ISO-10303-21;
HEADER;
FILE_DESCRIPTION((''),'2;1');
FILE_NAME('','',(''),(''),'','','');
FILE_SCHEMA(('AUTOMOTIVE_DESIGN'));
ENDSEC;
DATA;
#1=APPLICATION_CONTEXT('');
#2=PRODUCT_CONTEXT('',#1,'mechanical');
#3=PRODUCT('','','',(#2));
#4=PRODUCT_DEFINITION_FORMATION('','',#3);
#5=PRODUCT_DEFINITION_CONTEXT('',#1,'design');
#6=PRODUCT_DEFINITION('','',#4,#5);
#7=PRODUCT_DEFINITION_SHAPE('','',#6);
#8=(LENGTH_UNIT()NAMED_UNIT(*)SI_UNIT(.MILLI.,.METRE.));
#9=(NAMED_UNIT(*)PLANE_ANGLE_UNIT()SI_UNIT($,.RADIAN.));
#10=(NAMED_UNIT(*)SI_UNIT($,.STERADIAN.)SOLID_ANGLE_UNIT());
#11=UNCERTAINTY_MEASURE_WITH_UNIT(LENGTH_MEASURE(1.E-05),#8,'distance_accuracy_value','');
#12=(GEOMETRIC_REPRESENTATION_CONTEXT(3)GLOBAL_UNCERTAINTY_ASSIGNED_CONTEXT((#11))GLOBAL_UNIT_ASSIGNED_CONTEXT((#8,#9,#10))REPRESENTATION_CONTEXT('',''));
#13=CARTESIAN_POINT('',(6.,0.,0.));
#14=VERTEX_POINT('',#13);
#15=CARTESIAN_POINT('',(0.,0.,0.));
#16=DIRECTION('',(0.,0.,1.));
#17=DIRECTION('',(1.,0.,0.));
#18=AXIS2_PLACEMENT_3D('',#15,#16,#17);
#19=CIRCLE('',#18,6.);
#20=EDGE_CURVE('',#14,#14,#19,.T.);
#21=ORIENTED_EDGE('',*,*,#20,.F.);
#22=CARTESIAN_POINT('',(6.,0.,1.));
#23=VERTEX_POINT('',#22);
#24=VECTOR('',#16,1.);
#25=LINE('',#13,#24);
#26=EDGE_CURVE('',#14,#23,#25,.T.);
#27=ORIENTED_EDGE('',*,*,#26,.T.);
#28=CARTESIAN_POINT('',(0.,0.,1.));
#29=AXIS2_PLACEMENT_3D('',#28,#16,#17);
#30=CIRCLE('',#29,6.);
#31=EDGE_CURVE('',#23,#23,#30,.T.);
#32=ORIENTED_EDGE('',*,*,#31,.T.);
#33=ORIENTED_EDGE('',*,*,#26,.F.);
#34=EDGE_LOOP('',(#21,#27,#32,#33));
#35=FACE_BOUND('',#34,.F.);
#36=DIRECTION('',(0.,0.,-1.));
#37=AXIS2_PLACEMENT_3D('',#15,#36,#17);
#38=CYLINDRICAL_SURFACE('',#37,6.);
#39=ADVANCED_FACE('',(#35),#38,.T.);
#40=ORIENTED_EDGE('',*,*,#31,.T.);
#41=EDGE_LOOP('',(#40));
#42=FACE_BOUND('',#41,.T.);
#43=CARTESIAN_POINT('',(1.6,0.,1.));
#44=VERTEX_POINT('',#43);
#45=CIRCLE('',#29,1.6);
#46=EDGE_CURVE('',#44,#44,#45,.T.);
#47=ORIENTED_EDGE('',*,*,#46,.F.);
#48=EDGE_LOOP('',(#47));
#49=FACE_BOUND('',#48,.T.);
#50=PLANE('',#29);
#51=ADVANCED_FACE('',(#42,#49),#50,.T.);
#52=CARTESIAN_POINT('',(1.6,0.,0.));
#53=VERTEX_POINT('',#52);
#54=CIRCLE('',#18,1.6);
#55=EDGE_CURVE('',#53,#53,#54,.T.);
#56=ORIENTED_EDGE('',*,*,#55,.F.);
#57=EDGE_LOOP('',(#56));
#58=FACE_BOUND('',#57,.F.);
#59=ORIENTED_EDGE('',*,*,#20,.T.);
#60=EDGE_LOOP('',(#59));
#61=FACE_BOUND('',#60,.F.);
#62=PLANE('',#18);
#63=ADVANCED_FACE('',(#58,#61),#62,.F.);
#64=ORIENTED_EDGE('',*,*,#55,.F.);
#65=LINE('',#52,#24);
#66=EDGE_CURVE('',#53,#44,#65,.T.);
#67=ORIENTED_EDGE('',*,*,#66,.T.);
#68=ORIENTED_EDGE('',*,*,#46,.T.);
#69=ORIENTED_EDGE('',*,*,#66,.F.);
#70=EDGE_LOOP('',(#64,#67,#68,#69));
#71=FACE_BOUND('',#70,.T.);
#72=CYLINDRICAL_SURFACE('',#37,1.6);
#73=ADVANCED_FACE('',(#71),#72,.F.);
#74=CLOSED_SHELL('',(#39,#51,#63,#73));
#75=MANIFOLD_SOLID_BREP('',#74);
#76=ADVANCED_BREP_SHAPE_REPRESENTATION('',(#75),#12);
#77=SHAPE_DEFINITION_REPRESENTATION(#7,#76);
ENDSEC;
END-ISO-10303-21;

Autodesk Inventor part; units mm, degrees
ref_plane "YZ Plane" through (0, 0, 0) normal (1, 0, 0) x (0, 1, 0)
ref_plane "XZ Plane" through (0, 0, 0) normal (0, 1, 0) x (-1, 0, 0)
ref_plane "XY Plane" through (0, 0, 0) normal (0, 0, 1) x (1, 0, 0)
sketch "スケッチ1" plane through (0, 0, 0) normal (0, 0, 1) x (1, 0, 0)
  circle A0 centre (0, 0) radius 1.6
  circle A1 centre (0, 0) radius 6
  dimension "d0" = 3.2
  dimension "d1" = 12
extrude "押し出し1" add sketch "スケッチ1" along normal blind 1
properties part number "UUW-0312-10H"
